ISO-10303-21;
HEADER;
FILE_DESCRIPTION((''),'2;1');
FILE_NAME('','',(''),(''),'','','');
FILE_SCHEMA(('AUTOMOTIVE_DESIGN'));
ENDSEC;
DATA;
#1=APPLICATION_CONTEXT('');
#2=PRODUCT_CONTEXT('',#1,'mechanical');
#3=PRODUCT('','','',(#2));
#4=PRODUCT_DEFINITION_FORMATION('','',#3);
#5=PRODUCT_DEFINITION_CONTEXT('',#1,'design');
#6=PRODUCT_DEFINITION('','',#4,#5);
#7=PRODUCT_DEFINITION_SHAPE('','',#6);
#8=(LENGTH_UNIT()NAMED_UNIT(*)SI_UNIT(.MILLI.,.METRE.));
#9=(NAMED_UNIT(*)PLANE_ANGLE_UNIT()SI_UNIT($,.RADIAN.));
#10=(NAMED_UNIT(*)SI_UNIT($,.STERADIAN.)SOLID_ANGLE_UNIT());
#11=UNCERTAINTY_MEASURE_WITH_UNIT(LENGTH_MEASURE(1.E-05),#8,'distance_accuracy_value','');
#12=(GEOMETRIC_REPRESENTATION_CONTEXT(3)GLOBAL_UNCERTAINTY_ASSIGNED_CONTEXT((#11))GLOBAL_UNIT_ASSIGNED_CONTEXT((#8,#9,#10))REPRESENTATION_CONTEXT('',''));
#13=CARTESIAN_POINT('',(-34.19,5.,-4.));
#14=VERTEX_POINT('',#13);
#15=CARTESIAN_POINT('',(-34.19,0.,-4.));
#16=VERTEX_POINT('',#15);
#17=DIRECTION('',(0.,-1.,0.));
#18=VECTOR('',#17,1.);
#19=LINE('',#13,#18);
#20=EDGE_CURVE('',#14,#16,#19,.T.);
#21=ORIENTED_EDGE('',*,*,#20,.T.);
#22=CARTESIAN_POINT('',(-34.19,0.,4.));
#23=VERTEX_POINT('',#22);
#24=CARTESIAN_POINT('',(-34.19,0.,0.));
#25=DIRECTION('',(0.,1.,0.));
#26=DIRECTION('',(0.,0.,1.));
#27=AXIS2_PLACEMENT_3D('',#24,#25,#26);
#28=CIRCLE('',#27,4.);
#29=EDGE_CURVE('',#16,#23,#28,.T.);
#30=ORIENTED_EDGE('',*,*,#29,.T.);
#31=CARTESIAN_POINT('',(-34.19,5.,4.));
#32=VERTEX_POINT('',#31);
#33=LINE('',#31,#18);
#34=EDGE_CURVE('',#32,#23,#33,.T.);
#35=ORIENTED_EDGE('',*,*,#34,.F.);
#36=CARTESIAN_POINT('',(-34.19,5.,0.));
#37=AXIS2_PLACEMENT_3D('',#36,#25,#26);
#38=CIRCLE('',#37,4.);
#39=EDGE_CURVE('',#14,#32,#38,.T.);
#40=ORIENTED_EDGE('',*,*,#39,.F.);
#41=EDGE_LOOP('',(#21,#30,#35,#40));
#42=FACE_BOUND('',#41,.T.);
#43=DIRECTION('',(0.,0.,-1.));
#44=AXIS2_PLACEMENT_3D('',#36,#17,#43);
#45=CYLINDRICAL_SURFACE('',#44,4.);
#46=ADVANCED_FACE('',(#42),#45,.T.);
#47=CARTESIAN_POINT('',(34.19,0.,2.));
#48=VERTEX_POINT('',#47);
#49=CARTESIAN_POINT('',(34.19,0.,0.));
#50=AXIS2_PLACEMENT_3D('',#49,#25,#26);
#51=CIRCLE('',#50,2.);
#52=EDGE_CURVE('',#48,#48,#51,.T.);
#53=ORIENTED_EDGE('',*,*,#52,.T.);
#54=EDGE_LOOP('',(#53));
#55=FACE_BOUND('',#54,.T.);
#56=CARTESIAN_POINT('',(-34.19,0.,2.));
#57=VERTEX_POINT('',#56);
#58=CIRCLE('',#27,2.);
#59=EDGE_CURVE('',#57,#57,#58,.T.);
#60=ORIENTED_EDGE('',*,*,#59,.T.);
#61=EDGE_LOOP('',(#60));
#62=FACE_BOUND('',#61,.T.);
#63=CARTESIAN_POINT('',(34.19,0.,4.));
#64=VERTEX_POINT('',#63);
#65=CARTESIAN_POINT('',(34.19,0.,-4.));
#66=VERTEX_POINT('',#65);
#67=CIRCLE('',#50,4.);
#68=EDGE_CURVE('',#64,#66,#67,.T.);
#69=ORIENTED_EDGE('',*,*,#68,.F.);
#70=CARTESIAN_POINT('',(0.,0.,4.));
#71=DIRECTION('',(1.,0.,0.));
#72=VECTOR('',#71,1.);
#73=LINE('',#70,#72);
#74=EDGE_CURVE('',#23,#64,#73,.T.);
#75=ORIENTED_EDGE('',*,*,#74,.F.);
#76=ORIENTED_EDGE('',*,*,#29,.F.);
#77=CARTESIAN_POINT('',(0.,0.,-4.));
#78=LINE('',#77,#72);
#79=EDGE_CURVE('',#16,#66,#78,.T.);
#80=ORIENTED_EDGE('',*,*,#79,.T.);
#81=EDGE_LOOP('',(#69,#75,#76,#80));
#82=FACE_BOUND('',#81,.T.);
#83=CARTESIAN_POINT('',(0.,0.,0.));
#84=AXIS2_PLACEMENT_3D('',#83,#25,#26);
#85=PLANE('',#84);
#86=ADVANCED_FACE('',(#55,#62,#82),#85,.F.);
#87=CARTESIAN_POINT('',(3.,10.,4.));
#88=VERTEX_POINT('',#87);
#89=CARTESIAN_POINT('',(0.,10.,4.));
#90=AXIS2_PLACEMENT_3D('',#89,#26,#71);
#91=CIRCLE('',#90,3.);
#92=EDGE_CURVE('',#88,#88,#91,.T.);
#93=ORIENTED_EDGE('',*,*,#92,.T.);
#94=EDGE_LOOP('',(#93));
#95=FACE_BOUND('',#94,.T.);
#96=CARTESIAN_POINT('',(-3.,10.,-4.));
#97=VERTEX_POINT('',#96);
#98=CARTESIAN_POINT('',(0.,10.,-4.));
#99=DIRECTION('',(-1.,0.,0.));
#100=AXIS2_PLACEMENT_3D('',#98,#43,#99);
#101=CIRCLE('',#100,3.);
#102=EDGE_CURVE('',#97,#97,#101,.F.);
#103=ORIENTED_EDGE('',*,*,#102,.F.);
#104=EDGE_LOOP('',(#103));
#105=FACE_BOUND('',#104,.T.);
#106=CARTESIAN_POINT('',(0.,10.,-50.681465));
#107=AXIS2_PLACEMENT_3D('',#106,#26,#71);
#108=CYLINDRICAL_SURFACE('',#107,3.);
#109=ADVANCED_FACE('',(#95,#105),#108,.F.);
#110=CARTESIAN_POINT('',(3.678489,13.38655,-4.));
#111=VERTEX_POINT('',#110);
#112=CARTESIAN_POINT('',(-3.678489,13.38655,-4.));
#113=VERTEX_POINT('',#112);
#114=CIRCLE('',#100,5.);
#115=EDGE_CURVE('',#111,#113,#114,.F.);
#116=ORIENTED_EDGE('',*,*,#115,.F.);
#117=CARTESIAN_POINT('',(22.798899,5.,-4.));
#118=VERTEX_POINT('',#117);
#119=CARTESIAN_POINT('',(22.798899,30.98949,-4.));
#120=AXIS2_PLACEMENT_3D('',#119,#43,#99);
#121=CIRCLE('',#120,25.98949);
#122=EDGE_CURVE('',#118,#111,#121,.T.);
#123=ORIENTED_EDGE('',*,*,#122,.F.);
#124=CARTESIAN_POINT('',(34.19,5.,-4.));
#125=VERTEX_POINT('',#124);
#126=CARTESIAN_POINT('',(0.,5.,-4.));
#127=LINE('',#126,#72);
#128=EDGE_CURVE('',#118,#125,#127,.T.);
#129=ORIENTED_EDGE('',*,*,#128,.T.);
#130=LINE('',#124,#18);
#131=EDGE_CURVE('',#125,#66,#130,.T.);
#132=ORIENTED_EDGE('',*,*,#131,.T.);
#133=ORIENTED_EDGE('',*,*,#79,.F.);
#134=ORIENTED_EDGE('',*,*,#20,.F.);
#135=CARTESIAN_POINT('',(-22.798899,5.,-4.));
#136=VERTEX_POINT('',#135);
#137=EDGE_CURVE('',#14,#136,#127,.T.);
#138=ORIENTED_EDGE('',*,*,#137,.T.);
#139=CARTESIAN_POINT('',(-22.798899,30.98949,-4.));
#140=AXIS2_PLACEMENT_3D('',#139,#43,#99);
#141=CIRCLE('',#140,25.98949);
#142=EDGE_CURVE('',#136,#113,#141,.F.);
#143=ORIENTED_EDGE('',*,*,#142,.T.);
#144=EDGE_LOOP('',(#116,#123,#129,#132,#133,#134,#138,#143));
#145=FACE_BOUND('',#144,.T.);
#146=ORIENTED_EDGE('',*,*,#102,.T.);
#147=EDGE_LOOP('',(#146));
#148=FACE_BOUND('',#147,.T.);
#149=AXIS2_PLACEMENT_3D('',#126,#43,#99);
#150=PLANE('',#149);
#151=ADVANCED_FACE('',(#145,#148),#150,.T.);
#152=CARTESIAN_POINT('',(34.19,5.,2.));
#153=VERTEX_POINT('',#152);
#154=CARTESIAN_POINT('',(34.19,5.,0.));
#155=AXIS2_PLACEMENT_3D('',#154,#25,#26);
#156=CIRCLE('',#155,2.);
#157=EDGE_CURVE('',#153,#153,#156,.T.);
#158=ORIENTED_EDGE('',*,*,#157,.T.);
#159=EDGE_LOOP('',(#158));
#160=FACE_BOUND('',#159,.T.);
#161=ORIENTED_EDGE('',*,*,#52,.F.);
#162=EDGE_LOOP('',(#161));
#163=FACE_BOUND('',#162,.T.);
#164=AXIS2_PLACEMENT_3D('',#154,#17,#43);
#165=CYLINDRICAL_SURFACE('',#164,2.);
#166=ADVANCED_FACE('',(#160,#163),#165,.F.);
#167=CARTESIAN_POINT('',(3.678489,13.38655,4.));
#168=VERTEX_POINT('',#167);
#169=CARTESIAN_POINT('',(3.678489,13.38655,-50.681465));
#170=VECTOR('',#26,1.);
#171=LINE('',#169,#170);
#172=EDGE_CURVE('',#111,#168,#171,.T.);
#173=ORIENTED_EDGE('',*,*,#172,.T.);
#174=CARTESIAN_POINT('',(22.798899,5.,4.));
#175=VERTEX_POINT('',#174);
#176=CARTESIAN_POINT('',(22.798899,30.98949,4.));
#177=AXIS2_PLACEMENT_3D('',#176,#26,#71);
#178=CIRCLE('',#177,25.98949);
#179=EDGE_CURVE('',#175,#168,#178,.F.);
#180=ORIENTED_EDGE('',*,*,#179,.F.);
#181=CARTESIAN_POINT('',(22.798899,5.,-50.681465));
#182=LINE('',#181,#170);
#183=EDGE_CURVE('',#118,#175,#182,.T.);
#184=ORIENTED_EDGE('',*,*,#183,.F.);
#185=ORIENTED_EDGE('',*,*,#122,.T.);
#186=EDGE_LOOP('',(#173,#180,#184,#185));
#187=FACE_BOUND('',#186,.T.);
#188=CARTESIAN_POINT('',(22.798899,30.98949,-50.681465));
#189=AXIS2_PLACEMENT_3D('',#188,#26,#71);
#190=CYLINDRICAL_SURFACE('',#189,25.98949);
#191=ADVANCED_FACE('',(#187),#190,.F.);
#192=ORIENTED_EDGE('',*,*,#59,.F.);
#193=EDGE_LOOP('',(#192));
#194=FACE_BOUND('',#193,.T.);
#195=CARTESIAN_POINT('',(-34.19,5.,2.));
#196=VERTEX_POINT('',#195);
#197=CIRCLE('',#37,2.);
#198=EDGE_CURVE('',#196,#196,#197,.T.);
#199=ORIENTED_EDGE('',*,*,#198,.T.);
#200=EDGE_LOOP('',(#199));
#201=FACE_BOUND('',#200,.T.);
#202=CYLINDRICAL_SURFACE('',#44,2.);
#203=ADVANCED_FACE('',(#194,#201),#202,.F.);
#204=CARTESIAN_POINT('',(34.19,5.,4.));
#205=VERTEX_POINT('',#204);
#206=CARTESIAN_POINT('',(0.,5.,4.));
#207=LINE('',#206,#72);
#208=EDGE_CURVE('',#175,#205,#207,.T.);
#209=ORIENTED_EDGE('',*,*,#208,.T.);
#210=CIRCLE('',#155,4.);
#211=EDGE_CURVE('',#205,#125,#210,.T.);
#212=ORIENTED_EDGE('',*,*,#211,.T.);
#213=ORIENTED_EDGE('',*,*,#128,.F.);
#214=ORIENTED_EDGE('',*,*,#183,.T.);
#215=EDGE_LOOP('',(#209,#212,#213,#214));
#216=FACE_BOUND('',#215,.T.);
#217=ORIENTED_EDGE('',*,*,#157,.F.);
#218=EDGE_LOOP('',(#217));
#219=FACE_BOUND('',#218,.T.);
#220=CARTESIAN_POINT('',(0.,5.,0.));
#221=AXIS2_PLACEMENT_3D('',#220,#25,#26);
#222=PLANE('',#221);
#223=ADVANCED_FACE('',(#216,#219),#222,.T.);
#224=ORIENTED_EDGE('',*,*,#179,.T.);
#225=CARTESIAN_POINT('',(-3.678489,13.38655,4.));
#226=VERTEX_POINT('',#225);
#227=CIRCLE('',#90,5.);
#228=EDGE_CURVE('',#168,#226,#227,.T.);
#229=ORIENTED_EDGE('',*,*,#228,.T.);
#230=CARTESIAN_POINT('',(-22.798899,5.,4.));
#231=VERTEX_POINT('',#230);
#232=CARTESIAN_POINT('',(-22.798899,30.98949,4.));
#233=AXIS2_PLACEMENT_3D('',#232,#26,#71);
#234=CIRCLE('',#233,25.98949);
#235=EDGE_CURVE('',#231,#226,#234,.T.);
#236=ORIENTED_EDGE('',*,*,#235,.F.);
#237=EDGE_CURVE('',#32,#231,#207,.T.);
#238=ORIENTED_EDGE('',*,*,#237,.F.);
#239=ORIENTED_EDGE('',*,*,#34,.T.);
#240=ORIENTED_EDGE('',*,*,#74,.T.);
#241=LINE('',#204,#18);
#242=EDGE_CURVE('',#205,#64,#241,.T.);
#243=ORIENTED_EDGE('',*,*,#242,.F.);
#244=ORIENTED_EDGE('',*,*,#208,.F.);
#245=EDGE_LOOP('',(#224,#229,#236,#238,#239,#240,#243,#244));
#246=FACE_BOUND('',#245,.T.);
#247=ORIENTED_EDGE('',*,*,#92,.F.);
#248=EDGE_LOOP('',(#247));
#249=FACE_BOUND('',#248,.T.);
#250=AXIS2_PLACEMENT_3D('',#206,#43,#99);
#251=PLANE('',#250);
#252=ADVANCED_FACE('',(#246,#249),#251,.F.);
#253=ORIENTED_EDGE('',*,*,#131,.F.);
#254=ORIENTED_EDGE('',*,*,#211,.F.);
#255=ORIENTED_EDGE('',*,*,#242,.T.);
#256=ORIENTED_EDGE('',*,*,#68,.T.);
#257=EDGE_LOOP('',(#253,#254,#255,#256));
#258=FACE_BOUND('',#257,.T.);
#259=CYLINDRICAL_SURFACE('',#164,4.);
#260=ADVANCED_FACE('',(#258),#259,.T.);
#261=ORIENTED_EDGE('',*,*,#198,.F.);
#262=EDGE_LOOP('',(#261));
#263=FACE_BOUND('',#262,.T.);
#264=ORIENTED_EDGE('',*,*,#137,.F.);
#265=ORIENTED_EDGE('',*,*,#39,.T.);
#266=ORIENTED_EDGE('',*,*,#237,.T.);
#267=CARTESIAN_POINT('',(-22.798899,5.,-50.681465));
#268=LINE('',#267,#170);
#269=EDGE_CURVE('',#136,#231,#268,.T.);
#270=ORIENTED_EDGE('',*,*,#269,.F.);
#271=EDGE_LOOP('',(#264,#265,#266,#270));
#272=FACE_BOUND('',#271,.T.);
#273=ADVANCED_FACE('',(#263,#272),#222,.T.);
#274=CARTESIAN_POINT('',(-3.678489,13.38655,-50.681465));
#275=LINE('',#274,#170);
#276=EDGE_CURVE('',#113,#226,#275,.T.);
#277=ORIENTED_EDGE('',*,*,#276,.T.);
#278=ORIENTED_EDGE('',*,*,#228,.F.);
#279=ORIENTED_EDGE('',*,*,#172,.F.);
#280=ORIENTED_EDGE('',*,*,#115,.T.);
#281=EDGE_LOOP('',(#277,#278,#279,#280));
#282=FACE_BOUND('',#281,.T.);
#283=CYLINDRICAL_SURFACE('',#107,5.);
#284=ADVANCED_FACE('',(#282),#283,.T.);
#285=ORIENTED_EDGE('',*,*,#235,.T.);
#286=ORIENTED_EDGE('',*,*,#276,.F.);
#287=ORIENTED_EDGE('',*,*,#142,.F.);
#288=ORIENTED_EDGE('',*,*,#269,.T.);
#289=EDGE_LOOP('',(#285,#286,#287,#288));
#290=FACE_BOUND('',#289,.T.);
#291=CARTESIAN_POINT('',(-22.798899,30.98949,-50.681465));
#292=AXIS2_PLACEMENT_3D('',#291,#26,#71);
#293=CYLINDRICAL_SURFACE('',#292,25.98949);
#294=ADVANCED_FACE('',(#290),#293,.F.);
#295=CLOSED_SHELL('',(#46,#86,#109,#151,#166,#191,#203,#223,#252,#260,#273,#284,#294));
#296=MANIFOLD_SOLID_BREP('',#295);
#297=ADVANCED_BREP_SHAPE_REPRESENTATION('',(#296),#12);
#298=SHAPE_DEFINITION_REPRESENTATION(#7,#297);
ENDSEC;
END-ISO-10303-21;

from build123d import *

# Parameters (mm, degrees)
SKETCH1_R           = 2
BOSS_EXTRUDE1_DEPTH = 5
SKETCH2_R           = 3
BOSS_EXTRUDE2_DEPTH = 8


with BuildPart() as part:
    # Sketch1 → Boss-Extrude1 (new body)
    with BuildSketch(Plane(origin=(0, 0, 0), x_dir=(1, 0, 0), z_dir=(0, 1, 0))):
        with BuildLine():
            Line((-34.19, -4), (34.19, -4))
            ThreePointArc((34.19, -4), (38.19, 0), (34.19, 4))
            Line((34.19, 4), (-34.19, 4))
            ThreePointArc((-34.19, 4), (-38.19, 0), (-34.19, -4))
        make_face()
        with Locations(Location((34.19, 0, 0), (0, 0, 270))):
            Circle(SKETCH1_R, mode=Mode.SUBTRACT)
        with Locations(Location((-34.19, 0, 0), (0, 0, 270))):
            Circle(SKETCH1_R, mode=Mode.SUBTRACT)
    extrude(amount=BOSS_EXTRUDE1_DEPTH)

    # Sketch2 → Boss-Extrude2 (add)
    with BuildSketch(Plane.XY.offset(4)):
        with BuildLine():
            ThreePointArc((-3.678488933, 13.386549744), (-12.35949887, 7.188806921), (-22.798898944, 5))
            Line((-22.798898944, 5), (6e-09, 5))
            Line((6e-09, 5), (22.798898944, 5))
            ThreePointArc((22.798898944, 5), (12.35949887, 7.188806921), (3.678488933, 13.386549744))
            ThreePointArc((3.678488933, 13.386549744), (0, 15), (-3.678488933, 13.386549744))
        make_face()
        with Locations((0, 10)):
            Circle(SKETCH2_R, mode=Mode.SUBTRACT)
    extrude(amount=-BOSS_EXTRUDE2_DEPTH)


solid = part.part
